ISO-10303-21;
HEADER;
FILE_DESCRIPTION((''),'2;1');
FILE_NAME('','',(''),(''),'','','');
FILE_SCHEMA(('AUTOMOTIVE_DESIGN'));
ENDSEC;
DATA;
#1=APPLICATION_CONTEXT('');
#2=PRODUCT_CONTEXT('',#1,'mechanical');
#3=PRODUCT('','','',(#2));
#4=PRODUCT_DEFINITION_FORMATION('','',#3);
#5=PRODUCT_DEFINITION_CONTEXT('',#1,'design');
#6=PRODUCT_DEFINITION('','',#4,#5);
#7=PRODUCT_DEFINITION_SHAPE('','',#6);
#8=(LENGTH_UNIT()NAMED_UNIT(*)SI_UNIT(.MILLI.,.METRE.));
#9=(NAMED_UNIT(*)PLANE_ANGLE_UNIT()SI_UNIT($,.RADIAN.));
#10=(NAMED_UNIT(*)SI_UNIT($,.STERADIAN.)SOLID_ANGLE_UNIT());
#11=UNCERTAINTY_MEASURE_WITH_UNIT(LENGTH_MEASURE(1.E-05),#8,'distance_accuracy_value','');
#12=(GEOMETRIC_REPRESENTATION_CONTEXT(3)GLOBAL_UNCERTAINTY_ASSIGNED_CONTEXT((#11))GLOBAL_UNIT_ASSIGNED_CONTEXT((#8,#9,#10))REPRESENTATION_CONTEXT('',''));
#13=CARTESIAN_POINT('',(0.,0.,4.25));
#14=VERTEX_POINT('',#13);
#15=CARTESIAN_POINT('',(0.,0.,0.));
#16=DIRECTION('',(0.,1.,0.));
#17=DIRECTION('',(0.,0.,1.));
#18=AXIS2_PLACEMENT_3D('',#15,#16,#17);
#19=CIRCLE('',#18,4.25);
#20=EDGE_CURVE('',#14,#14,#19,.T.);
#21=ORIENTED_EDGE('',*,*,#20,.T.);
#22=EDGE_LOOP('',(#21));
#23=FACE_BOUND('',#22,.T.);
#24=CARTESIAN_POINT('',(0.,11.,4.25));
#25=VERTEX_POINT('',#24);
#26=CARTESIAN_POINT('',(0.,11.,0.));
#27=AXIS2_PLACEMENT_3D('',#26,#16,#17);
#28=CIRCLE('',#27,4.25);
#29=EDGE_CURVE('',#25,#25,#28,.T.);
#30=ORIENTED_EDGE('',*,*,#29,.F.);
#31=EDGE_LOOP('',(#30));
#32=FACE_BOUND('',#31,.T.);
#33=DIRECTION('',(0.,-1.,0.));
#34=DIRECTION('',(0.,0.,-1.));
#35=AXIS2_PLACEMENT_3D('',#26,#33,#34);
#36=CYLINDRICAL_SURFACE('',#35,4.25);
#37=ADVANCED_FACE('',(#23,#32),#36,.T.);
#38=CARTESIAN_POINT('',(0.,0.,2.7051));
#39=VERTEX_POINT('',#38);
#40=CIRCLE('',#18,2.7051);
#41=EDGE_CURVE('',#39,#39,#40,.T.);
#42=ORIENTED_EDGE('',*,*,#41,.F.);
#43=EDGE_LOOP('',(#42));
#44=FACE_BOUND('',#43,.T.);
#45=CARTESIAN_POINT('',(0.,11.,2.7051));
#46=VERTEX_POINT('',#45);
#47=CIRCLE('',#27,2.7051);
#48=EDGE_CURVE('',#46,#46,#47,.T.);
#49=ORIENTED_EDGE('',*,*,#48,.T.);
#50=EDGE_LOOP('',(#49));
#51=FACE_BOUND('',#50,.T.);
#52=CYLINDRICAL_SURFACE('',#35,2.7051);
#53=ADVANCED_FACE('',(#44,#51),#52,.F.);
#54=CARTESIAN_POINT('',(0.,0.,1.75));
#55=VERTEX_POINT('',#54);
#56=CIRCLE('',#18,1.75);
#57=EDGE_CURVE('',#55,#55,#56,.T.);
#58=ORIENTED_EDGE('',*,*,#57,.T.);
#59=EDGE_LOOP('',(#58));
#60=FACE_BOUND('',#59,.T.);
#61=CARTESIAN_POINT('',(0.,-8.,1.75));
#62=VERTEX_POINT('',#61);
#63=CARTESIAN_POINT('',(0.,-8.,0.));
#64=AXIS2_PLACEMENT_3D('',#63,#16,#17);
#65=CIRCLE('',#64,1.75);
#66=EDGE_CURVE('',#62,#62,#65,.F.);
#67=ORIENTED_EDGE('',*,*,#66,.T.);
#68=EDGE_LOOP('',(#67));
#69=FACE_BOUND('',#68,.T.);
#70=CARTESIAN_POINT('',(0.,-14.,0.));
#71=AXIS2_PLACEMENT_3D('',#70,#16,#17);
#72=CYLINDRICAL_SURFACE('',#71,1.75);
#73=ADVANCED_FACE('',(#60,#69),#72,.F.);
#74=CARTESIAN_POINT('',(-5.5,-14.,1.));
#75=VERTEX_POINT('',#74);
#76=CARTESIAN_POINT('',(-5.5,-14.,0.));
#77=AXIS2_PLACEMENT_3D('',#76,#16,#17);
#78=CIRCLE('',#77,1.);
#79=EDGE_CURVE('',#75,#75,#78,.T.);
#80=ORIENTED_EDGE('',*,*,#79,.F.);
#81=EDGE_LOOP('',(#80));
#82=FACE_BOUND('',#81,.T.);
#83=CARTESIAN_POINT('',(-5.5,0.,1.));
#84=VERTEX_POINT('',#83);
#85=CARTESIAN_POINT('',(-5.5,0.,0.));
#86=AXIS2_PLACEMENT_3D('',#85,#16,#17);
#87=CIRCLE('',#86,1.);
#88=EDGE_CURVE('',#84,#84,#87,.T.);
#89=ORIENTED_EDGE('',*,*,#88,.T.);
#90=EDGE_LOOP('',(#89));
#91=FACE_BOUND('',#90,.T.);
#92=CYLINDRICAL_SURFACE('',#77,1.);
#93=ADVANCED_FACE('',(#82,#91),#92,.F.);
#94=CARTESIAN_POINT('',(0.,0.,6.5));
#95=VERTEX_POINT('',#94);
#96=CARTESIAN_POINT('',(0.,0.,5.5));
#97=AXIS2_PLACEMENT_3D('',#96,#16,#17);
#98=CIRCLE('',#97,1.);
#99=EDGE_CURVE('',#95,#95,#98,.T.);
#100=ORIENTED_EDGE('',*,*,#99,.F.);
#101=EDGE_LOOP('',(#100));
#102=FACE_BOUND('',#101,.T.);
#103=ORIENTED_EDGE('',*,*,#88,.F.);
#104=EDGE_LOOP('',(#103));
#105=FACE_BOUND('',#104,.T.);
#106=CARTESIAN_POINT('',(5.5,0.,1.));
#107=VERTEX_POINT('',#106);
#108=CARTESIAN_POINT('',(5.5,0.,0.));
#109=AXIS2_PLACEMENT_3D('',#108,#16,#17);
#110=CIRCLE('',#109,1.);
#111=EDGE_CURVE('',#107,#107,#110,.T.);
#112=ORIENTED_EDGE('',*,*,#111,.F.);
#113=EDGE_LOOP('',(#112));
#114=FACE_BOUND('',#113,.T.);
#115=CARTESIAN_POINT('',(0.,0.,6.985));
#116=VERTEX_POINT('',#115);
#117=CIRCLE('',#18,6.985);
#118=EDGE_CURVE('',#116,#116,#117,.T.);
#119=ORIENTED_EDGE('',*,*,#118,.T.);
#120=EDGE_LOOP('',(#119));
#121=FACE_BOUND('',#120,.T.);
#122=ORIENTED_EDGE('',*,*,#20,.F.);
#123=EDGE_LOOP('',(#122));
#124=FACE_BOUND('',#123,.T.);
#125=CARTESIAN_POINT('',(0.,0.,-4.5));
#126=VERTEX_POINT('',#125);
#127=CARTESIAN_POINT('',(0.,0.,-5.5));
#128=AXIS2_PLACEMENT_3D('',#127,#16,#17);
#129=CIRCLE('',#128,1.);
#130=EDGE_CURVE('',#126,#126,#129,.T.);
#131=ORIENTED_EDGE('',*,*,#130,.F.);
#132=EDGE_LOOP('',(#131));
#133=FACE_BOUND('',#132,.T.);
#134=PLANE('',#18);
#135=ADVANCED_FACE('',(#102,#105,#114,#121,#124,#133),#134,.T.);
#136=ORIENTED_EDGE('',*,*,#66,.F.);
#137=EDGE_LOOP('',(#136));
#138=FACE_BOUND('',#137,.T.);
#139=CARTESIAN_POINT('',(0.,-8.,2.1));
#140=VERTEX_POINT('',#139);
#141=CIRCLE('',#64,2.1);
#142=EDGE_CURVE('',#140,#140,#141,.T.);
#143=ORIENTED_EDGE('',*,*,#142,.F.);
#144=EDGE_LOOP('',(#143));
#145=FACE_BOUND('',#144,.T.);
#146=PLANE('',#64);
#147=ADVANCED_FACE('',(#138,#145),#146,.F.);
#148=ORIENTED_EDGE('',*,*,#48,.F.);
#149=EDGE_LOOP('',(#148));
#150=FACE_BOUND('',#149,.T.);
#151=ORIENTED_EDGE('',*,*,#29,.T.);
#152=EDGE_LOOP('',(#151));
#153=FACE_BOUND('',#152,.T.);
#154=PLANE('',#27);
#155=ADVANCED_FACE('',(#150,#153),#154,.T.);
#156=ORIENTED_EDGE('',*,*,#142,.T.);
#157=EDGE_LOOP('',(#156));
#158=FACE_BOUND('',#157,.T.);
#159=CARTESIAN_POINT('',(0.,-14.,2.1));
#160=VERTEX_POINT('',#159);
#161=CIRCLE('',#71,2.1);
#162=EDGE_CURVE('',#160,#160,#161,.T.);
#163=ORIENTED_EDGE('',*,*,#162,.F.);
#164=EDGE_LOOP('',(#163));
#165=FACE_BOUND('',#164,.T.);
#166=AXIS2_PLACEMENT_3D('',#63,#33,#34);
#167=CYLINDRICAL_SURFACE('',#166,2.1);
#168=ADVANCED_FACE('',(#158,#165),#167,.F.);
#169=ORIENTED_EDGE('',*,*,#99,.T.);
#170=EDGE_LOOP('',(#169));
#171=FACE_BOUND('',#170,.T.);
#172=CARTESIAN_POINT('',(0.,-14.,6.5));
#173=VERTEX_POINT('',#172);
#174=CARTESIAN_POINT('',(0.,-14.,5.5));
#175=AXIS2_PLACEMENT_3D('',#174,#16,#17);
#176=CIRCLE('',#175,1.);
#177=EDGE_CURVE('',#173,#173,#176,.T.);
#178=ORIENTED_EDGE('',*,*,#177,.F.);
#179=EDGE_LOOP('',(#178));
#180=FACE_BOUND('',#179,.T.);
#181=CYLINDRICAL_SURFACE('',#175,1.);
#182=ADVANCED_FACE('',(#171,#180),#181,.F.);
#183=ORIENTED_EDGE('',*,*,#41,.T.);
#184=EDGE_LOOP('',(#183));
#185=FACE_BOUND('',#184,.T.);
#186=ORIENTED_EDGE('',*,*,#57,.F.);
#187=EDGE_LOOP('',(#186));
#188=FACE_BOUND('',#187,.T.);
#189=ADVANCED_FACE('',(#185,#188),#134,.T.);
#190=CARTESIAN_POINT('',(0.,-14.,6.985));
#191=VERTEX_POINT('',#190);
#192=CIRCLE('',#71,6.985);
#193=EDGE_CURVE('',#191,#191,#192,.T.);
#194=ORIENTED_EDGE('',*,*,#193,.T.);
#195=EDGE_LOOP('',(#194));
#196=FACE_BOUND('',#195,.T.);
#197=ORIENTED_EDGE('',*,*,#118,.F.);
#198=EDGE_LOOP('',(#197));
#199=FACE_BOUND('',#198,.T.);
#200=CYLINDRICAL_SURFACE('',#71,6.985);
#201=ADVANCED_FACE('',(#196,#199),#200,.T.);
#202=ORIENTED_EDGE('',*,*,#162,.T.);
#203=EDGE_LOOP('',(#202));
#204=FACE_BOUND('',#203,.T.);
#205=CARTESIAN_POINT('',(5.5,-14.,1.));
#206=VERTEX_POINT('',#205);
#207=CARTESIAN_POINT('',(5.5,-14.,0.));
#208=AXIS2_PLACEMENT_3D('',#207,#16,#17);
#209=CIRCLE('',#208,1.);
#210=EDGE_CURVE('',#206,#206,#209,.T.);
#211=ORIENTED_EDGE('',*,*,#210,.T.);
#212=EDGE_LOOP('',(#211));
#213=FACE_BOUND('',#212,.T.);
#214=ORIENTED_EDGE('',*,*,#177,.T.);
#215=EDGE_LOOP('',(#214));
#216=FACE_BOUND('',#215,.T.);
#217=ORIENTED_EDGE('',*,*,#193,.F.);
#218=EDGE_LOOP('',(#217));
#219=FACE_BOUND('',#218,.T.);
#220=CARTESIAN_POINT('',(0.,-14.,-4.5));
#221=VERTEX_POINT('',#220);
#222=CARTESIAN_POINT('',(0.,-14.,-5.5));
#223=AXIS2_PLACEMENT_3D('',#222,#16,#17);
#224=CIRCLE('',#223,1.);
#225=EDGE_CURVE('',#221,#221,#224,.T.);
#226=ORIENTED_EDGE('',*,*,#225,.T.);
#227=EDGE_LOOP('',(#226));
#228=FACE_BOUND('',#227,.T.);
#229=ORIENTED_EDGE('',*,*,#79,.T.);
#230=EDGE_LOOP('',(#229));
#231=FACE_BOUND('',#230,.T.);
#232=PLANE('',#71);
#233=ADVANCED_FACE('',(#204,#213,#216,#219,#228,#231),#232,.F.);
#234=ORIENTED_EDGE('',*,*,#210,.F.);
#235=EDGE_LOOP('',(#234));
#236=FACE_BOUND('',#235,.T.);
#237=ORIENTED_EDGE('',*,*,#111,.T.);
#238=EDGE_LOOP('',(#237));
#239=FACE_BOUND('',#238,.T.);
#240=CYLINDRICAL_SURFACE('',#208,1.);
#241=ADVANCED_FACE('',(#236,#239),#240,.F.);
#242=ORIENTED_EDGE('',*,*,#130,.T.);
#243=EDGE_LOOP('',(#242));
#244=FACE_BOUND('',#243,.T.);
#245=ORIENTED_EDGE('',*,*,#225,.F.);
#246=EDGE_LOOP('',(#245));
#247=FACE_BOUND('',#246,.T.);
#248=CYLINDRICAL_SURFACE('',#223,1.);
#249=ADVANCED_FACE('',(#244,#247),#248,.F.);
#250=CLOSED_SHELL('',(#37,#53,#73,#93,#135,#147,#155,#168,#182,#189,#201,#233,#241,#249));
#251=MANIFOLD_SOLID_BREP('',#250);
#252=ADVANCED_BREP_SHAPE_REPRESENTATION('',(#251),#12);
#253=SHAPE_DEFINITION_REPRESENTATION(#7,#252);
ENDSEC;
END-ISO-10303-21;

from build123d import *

# Parameters (mm, degrees)
SKETCH1_R           = 4.25
SKETCH1_R_2         = 2.7051
BOSS_EXTRUDE1_DEPTH = 11
SKETCH2_R           = 6.985
SKETCH2_R_2         = 1.75
SKETCH2_R_3         = 1
BOSS_EXTRUDE2_DEPTH = 14
CUT_EXTRUDE1_START  = -14
SKETCH3_R           = 2.1
CUT_EXTRUDE1_DEPTH  = 6


with BuildPart() as part:
    # Sketch1 → Boss-Extrude1 (new body)
    with BuildSketch(Plane(origin=(0, 0, 0), x_dir=(1, 0, 0), z_dir=(0, 1, 0))):
        with Locations(Location((0, 0, 0), (0, 0, 270))):
            Circle(SKETCH1_R)
        with Locations(Location((0, 0, 0), (0, 0, 270))):
            Circle(SKETCH1_R_2, mode=Mode.SUBTRACT)
    extrude(amount=BOSS_EXTRUDE1_DEPTH)

    # Sketch2 → Boss-Extrude2 (add)
    with BuildSketch(Plane(origin=(0, 0, 0), x_dir=(1, 0, 0), z_dir=(0, 1, 0))):
        with Locations(Location((0, 0, 0), (0, 0, 270))):
            Circle(SKETCH2_R)
        with Locations(Location((0, 0, 0), (0, 0, 270))):
            Circle(SKETCH2_R_2, mode=Mode.SUBTRACT)
        with Locations(Location((0, 5.5, 0), (0, 0, 270))):
            Circle(SKETCH2_R_3, mode=Mode.SUBTRACT)
        with Locations(Location((5.5, 0, 0), (0, 0, 270))):
            Circle(SKETCH2_R_3, mode=Mode.SUBTRACT)
        with Locations(Location((0, -5.5, 0), (0, 0, 270))):
            Circle(SKETCH2_R_3, mode=Mode.SUBTRACT)
        with Locations(Location((-5.5, 0, 0), (0, 0, 270))):
            Circle(SKETCH2_R_3, mode=Mode.SUBTRACT)
    extrude(amount=-BOSS_EXTRUDE2_DEPTH)

    # Sketch3 → Cut-Extrude1 (cut)
    with BuildSketch(Plane(origin=(0, 0, 0), x_dir=(1, 0, 0), z_dir=(0, 1, 0)).offset(CUT_EXTRUDE1_START)):
        with Locations(Location((0, 0, 0), (0, 0, 270))):
            Circle(SKETCH3_R)
    extrude(amount=CUT_EXTRUDE1_DEPTH, mode=Mode.SUBTRACT)


solid = part.part
